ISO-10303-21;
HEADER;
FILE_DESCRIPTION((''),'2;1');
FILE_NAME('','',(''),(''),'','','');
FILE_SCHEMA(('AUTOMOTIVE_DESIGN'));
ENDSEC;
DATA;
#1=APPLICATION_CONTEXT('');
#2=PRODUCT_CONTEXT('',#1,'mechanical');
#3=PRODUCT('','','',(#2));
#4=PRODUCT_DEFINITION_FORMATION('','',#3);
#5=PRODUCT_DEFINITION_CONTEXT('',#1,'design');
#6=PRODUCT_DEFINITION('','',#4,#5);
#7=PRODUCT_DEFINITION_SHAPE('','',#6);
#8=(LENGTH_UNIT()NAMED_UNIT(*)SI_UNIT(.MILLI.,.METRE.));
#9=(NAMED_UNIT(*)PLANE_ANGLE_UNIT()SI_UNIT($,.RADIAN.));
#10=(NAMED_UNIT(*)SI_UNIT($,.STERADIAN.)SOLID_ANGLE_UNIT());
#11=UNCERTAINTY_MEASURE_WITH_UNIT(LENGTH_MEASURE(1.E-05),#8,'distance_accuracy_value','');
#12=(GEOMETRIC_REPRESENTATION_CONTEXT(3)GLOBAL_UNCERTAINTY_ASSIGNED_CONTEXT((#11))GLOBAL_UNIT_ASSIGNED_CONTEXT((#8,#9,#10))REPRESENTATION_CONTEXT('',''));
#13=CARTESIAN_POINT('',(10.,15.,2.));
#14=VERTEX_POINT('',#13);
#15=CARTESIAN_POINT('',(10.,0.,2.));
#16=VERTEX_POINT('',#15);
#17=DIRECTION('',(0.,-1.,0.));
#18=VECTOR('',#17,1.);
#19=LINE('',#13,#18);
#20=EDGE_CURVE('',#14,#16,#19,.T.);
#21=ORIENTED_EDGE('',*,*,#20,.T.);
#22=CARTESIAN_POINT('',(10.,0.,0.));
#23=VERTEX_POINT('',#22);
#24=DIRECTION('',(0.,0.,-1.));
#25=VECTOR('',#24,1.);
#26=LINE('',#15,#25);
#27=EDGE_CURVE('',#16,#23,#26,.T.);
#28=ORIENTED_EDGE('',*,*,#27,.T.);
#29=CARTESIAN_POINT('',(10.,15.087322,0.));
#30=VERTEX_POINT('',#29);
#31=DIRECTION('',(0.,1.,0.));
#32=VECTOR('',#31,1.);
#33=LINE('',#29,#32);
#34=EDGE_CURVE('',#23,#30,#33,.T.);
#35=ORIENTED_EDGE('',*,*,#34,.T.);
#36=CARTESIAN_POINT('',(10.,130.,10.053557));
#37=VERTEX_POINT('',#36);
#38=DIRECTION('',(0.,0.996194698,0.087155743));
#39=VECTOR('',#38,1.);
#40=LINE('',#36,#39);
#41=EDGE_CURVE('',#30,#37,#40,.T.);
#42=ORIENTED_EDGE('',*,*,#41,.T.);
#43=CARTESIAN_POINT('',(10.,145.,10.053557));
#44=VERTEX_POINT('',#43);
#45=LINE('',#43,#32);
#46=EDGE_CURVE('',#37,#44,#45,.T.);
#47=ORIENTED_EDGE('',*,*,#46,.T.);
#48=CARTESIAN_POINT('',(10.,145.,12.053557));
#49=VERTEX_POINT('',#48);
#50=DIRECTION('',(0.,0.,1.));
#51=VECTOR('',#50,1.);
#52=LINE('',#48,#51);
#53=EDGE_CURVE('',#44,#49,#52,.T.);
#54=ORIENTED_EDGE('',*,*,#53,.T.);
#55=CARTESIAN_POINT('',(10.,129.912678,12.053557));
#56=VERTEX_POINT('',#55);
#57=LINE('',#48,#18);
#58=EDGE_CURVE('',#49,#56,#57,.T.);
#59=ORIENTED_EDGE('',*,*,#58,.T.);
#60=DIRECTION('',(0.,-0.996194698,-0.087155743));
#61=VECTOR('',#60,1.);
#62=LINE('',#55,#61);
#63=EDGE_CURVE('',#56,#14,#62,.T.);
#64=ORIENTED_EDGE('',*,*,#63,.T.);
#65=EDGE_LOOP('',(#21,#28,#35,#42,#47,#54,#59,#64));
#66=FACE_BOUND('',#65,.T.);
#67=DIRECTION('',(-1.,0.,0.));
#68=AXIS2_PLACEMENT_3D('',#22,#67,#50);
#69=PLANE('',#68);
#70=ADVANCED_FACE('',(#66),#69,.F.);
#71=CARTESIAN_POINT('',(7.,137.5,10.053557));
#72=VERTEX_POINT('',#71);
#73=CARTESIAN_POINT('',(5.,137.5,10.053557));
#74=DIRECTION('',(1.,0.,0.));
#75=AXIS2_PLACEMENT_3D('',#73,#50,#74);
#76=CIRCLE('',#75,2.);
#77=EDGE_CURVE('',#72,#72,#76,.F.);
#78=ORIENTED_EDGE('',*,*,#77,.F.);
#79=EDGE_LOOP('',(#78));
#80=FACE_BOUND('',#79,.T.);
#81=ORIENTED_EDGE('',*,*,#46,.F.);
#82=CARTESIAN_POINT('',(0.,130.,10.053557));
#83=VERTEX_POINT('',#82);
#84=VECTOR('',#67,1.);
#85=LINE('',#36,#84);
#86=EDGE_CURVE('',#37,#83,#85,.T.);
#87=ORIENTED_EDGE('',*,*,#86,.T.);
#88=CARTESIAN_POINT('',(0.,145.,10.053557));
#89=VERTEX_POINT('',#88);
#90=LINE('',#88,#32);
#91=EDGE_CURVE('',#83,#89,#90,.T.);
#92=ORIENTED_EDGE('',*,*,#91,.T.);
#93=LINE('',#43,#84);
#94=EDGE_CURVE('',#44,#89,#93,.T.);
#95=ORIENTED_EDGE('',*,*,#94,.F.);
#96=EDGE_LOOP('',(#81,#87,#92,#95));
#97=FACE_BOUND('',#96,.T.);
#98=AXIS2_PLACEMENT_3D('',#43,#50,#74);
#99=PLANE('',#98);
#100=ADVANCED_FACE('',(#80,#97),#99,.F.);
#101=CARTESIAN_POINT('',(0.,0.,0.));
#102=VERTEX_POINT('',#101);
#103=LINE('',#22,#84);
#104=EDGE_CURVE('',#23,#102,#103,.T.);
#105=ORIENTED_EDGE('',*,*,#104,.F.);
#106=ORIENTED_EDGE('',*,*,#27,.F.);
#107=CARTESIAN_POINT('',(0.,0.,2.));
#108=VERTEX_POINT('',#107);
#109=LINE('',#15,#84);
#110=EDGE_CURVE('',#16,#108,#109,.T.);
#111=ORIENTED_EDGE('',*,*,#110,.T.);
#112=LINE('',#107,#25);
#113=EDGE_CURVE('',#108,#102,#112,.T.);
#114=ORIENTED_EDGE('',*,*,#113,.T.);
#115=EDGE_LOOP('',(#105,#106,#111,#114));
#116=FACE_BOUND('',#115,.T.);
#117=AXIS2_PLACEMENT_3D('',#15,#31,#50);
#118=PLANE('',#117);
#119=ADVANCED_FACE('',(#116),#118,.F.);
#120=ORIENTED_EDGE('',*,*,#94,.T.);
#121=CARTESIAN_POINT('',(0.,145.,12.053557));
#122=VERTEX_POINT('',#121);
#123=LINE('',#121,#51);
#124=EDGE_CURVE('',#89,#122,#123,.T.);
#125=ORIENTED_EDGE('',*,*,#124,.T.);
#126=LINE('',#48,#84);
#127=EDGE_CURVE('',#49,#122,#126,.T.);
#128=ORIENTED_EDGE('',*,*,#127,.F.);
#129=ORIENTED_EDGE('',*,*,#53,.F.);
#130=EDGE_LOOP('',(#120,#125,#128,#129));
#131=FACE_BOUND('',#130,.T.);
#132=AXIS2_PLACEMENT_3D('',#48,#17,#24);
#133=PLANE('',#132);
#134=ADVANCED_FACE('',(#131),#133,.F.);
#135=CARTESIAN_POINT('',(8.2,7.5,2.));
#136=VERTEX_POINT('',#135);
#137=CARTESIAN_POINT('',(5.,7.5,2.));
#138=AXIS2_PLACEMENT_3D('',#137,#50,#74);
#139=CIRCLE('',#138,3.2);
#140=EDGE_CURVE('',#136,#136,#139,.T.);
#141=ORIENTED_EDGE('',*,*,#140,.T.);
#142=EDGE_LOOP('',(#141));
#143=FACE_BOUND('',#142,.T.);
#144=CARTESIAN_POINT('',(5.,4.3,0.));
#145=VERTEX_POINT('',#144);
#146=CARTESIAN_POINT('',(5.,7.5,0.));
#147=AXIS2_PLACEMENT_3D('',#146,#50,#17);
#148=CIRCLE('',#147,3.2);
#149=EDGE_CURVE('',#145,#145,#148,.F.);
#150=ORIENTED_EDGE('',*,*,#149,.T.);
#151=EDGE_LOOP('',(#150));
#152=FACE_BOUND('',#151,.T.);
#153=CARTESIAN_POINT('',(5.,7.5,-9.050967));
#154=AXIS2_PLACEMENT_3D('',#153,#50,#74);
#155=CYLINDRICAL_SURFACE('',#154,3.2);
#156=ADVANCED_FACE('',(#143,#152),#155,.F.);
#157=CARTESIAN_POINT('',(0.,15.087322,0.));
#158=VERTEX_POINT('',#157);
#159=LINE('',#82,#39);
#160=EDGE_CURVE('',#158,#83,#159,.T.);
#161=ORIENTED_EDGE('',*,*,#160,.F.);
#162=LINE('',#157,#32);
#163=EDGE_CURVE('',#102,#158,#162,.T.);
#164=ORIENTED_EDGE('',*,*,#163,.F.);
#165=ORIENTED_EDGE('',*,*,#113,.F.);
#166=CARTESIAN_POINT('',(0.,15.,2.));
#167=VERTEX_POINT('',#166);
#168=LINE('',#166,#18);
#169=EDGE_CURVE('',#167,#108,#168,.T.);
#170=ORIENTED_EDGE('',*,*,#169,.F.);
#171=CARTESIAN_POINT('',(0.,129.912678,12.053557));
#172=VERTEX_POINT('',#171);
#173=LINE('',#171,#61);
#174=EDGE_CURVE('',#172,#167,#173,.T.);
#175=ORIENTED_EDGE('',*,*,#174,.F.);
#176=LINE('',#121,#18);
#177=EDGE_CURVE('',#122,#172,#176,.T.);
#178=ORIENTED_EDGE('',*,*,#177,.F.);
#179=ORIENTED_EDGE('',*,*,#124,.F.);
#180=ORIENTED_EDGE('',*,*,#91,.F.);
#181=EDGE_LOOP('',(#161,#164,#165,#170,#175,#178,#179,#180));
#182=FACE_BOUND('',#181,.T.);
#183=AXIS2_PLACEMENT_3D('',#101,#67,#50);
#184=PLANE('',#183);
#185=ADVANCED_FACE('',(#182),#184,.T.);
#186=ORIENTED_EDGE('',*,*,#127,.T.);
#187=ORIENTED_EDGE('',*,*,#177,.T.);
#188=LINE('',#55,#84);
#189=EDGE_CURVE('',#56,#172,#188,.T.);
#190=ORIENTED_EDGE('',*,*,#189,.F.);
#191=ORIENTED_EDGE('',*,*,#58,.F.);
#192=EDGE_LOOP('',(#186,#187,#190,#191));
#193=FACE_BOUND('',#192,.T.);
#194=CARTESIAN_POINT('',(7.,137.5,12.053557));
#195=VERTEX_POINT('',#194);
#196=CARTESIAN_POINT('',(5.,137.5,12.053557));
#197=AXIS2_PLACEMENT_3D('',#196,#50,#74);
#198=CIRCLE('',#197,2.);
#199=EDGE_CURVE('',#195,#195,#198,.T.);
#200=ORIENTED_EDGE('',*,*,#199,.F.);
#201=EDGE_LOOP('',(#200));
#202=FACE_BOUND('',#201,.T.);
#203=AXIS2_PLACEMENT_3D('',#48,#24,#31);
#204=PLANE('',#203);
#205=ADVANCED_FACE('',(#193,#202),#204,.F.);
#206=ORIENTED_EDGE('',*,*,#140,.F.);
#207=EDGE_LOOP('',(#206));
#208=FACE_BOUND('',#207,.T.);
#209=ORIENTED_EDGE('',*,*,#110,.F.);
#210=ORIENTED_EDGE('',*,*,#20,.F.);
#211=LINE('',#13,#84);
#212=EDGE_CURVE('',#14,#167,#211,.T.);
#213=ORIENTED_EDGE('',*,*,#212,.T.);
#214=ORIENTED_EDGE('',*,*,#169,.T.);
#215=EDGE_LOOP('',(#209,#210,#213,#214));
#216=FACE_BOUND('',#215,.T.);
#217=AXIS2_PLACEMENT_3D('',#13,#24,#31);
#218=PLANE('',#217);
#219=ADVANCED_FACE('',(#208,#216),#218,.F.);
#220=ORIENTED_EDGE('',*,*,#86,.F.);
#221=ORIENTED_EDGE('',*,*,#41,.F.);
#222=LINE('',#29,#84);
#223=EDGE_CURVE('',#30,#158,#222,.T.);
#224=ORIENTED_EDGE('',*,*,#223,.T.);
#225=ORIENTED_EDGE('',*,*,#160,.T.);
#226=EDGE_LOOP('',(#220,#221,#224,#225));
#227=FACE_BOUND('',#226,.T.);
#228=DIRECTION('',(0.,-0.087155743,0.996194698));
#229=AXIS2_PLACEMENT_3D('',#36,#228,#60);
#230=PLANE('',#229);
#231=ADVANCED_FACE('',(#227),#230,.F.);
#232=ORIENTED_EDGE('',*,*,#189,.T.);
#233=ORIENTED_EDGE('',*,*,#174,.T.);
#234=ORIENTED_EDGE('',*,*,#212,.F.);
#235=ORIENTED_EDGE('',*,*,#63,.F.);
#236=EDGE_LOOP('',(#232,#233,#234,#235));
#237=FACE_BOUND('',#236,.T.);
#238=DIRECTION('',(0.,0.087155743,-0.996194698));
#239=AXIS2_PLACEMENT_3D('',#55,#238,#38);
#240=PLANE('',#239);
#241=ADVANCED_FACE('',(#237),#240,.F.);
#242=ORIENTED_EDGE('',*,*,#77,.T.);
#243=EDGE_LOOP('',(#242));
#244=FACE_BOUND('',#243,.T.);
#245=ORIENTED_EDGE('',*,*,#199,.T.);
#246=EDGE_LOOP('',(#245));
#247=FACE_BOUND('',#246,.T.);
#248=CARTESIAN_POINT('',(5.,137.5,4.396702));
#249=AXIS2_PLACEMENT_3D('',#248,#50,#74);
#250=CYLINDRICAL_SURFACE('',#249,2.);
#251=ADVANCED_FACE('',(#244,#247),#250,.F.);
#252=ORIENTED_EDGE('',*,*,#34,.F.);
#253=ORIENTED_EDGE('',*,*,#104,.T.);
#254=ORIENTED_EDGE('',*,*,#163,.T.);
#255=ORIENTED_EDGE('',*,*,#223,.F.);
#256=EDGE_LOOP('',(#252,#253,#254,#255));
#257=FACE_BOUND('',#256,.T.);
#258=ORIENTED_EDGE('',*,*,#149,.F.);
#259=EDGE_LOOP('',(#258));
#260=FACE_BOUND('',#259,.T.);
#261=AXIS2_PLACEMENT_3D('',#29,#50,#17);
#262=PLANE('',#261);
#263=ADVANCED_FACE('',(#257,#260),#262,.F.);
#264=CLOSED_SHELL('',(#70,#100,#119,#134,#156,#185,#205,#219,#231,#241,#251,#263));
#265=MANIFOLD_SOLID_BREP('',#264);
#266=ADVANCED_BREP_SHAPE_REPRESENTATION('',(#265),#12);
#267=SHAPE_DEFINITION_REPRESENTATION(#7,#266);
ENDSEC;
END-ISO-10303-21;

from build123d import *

# Parameters (mm, degrees)
BOSS_EXTRUDE1_DEPTH = 10
SKETCH3_R           = 3.2
CUT_EXTRUDE1_DEPTH  = 2
SKETCH4_R           = 2
CUT_EXTRUDE2_DEPTH  = 2


with BuildPart() as part:
    # Sketch2 → Boss-Extrude1 (new body)
    with BuildSketch(Plane(origin=(0, 0, 0), x_dir=(0, 0, -1), z_dir=(1, 0, 0))):
        Polygon((-10.05355663, 145), (-10.05355663, 130), (0, 15.087321886), (0, 0), (-2, 0), (-2, 15), (-12.05355663, 129.912678114), (-12.05355663, 145), align=None)
    extrude(amount=BOSS_EXTRUDE1_DEPTH)

    # Sketch3 → Cut-Extrude1 (cut)
    with BuildSketch(Plane.XY.offset(2)):
        with Locations((5, 7.5)):
            Circle(SKETCH3_R)
    extrude(amount=-CUT_EXTRUDE1_DEPTH, mode=Mode.SUBTRACT)

    # Sketch4 → Cut-Extrude2 (cut)
    with BuildSketch(Plane.XY.offset(12.05355663)):
        with Locations((5, 137.5)):
            Circle(SKETCH4_R)
    extrude(amount=-CUT_EXTRUDE2_DEPTH, mode=Mode.SUBTRACT)


solid = part.part
